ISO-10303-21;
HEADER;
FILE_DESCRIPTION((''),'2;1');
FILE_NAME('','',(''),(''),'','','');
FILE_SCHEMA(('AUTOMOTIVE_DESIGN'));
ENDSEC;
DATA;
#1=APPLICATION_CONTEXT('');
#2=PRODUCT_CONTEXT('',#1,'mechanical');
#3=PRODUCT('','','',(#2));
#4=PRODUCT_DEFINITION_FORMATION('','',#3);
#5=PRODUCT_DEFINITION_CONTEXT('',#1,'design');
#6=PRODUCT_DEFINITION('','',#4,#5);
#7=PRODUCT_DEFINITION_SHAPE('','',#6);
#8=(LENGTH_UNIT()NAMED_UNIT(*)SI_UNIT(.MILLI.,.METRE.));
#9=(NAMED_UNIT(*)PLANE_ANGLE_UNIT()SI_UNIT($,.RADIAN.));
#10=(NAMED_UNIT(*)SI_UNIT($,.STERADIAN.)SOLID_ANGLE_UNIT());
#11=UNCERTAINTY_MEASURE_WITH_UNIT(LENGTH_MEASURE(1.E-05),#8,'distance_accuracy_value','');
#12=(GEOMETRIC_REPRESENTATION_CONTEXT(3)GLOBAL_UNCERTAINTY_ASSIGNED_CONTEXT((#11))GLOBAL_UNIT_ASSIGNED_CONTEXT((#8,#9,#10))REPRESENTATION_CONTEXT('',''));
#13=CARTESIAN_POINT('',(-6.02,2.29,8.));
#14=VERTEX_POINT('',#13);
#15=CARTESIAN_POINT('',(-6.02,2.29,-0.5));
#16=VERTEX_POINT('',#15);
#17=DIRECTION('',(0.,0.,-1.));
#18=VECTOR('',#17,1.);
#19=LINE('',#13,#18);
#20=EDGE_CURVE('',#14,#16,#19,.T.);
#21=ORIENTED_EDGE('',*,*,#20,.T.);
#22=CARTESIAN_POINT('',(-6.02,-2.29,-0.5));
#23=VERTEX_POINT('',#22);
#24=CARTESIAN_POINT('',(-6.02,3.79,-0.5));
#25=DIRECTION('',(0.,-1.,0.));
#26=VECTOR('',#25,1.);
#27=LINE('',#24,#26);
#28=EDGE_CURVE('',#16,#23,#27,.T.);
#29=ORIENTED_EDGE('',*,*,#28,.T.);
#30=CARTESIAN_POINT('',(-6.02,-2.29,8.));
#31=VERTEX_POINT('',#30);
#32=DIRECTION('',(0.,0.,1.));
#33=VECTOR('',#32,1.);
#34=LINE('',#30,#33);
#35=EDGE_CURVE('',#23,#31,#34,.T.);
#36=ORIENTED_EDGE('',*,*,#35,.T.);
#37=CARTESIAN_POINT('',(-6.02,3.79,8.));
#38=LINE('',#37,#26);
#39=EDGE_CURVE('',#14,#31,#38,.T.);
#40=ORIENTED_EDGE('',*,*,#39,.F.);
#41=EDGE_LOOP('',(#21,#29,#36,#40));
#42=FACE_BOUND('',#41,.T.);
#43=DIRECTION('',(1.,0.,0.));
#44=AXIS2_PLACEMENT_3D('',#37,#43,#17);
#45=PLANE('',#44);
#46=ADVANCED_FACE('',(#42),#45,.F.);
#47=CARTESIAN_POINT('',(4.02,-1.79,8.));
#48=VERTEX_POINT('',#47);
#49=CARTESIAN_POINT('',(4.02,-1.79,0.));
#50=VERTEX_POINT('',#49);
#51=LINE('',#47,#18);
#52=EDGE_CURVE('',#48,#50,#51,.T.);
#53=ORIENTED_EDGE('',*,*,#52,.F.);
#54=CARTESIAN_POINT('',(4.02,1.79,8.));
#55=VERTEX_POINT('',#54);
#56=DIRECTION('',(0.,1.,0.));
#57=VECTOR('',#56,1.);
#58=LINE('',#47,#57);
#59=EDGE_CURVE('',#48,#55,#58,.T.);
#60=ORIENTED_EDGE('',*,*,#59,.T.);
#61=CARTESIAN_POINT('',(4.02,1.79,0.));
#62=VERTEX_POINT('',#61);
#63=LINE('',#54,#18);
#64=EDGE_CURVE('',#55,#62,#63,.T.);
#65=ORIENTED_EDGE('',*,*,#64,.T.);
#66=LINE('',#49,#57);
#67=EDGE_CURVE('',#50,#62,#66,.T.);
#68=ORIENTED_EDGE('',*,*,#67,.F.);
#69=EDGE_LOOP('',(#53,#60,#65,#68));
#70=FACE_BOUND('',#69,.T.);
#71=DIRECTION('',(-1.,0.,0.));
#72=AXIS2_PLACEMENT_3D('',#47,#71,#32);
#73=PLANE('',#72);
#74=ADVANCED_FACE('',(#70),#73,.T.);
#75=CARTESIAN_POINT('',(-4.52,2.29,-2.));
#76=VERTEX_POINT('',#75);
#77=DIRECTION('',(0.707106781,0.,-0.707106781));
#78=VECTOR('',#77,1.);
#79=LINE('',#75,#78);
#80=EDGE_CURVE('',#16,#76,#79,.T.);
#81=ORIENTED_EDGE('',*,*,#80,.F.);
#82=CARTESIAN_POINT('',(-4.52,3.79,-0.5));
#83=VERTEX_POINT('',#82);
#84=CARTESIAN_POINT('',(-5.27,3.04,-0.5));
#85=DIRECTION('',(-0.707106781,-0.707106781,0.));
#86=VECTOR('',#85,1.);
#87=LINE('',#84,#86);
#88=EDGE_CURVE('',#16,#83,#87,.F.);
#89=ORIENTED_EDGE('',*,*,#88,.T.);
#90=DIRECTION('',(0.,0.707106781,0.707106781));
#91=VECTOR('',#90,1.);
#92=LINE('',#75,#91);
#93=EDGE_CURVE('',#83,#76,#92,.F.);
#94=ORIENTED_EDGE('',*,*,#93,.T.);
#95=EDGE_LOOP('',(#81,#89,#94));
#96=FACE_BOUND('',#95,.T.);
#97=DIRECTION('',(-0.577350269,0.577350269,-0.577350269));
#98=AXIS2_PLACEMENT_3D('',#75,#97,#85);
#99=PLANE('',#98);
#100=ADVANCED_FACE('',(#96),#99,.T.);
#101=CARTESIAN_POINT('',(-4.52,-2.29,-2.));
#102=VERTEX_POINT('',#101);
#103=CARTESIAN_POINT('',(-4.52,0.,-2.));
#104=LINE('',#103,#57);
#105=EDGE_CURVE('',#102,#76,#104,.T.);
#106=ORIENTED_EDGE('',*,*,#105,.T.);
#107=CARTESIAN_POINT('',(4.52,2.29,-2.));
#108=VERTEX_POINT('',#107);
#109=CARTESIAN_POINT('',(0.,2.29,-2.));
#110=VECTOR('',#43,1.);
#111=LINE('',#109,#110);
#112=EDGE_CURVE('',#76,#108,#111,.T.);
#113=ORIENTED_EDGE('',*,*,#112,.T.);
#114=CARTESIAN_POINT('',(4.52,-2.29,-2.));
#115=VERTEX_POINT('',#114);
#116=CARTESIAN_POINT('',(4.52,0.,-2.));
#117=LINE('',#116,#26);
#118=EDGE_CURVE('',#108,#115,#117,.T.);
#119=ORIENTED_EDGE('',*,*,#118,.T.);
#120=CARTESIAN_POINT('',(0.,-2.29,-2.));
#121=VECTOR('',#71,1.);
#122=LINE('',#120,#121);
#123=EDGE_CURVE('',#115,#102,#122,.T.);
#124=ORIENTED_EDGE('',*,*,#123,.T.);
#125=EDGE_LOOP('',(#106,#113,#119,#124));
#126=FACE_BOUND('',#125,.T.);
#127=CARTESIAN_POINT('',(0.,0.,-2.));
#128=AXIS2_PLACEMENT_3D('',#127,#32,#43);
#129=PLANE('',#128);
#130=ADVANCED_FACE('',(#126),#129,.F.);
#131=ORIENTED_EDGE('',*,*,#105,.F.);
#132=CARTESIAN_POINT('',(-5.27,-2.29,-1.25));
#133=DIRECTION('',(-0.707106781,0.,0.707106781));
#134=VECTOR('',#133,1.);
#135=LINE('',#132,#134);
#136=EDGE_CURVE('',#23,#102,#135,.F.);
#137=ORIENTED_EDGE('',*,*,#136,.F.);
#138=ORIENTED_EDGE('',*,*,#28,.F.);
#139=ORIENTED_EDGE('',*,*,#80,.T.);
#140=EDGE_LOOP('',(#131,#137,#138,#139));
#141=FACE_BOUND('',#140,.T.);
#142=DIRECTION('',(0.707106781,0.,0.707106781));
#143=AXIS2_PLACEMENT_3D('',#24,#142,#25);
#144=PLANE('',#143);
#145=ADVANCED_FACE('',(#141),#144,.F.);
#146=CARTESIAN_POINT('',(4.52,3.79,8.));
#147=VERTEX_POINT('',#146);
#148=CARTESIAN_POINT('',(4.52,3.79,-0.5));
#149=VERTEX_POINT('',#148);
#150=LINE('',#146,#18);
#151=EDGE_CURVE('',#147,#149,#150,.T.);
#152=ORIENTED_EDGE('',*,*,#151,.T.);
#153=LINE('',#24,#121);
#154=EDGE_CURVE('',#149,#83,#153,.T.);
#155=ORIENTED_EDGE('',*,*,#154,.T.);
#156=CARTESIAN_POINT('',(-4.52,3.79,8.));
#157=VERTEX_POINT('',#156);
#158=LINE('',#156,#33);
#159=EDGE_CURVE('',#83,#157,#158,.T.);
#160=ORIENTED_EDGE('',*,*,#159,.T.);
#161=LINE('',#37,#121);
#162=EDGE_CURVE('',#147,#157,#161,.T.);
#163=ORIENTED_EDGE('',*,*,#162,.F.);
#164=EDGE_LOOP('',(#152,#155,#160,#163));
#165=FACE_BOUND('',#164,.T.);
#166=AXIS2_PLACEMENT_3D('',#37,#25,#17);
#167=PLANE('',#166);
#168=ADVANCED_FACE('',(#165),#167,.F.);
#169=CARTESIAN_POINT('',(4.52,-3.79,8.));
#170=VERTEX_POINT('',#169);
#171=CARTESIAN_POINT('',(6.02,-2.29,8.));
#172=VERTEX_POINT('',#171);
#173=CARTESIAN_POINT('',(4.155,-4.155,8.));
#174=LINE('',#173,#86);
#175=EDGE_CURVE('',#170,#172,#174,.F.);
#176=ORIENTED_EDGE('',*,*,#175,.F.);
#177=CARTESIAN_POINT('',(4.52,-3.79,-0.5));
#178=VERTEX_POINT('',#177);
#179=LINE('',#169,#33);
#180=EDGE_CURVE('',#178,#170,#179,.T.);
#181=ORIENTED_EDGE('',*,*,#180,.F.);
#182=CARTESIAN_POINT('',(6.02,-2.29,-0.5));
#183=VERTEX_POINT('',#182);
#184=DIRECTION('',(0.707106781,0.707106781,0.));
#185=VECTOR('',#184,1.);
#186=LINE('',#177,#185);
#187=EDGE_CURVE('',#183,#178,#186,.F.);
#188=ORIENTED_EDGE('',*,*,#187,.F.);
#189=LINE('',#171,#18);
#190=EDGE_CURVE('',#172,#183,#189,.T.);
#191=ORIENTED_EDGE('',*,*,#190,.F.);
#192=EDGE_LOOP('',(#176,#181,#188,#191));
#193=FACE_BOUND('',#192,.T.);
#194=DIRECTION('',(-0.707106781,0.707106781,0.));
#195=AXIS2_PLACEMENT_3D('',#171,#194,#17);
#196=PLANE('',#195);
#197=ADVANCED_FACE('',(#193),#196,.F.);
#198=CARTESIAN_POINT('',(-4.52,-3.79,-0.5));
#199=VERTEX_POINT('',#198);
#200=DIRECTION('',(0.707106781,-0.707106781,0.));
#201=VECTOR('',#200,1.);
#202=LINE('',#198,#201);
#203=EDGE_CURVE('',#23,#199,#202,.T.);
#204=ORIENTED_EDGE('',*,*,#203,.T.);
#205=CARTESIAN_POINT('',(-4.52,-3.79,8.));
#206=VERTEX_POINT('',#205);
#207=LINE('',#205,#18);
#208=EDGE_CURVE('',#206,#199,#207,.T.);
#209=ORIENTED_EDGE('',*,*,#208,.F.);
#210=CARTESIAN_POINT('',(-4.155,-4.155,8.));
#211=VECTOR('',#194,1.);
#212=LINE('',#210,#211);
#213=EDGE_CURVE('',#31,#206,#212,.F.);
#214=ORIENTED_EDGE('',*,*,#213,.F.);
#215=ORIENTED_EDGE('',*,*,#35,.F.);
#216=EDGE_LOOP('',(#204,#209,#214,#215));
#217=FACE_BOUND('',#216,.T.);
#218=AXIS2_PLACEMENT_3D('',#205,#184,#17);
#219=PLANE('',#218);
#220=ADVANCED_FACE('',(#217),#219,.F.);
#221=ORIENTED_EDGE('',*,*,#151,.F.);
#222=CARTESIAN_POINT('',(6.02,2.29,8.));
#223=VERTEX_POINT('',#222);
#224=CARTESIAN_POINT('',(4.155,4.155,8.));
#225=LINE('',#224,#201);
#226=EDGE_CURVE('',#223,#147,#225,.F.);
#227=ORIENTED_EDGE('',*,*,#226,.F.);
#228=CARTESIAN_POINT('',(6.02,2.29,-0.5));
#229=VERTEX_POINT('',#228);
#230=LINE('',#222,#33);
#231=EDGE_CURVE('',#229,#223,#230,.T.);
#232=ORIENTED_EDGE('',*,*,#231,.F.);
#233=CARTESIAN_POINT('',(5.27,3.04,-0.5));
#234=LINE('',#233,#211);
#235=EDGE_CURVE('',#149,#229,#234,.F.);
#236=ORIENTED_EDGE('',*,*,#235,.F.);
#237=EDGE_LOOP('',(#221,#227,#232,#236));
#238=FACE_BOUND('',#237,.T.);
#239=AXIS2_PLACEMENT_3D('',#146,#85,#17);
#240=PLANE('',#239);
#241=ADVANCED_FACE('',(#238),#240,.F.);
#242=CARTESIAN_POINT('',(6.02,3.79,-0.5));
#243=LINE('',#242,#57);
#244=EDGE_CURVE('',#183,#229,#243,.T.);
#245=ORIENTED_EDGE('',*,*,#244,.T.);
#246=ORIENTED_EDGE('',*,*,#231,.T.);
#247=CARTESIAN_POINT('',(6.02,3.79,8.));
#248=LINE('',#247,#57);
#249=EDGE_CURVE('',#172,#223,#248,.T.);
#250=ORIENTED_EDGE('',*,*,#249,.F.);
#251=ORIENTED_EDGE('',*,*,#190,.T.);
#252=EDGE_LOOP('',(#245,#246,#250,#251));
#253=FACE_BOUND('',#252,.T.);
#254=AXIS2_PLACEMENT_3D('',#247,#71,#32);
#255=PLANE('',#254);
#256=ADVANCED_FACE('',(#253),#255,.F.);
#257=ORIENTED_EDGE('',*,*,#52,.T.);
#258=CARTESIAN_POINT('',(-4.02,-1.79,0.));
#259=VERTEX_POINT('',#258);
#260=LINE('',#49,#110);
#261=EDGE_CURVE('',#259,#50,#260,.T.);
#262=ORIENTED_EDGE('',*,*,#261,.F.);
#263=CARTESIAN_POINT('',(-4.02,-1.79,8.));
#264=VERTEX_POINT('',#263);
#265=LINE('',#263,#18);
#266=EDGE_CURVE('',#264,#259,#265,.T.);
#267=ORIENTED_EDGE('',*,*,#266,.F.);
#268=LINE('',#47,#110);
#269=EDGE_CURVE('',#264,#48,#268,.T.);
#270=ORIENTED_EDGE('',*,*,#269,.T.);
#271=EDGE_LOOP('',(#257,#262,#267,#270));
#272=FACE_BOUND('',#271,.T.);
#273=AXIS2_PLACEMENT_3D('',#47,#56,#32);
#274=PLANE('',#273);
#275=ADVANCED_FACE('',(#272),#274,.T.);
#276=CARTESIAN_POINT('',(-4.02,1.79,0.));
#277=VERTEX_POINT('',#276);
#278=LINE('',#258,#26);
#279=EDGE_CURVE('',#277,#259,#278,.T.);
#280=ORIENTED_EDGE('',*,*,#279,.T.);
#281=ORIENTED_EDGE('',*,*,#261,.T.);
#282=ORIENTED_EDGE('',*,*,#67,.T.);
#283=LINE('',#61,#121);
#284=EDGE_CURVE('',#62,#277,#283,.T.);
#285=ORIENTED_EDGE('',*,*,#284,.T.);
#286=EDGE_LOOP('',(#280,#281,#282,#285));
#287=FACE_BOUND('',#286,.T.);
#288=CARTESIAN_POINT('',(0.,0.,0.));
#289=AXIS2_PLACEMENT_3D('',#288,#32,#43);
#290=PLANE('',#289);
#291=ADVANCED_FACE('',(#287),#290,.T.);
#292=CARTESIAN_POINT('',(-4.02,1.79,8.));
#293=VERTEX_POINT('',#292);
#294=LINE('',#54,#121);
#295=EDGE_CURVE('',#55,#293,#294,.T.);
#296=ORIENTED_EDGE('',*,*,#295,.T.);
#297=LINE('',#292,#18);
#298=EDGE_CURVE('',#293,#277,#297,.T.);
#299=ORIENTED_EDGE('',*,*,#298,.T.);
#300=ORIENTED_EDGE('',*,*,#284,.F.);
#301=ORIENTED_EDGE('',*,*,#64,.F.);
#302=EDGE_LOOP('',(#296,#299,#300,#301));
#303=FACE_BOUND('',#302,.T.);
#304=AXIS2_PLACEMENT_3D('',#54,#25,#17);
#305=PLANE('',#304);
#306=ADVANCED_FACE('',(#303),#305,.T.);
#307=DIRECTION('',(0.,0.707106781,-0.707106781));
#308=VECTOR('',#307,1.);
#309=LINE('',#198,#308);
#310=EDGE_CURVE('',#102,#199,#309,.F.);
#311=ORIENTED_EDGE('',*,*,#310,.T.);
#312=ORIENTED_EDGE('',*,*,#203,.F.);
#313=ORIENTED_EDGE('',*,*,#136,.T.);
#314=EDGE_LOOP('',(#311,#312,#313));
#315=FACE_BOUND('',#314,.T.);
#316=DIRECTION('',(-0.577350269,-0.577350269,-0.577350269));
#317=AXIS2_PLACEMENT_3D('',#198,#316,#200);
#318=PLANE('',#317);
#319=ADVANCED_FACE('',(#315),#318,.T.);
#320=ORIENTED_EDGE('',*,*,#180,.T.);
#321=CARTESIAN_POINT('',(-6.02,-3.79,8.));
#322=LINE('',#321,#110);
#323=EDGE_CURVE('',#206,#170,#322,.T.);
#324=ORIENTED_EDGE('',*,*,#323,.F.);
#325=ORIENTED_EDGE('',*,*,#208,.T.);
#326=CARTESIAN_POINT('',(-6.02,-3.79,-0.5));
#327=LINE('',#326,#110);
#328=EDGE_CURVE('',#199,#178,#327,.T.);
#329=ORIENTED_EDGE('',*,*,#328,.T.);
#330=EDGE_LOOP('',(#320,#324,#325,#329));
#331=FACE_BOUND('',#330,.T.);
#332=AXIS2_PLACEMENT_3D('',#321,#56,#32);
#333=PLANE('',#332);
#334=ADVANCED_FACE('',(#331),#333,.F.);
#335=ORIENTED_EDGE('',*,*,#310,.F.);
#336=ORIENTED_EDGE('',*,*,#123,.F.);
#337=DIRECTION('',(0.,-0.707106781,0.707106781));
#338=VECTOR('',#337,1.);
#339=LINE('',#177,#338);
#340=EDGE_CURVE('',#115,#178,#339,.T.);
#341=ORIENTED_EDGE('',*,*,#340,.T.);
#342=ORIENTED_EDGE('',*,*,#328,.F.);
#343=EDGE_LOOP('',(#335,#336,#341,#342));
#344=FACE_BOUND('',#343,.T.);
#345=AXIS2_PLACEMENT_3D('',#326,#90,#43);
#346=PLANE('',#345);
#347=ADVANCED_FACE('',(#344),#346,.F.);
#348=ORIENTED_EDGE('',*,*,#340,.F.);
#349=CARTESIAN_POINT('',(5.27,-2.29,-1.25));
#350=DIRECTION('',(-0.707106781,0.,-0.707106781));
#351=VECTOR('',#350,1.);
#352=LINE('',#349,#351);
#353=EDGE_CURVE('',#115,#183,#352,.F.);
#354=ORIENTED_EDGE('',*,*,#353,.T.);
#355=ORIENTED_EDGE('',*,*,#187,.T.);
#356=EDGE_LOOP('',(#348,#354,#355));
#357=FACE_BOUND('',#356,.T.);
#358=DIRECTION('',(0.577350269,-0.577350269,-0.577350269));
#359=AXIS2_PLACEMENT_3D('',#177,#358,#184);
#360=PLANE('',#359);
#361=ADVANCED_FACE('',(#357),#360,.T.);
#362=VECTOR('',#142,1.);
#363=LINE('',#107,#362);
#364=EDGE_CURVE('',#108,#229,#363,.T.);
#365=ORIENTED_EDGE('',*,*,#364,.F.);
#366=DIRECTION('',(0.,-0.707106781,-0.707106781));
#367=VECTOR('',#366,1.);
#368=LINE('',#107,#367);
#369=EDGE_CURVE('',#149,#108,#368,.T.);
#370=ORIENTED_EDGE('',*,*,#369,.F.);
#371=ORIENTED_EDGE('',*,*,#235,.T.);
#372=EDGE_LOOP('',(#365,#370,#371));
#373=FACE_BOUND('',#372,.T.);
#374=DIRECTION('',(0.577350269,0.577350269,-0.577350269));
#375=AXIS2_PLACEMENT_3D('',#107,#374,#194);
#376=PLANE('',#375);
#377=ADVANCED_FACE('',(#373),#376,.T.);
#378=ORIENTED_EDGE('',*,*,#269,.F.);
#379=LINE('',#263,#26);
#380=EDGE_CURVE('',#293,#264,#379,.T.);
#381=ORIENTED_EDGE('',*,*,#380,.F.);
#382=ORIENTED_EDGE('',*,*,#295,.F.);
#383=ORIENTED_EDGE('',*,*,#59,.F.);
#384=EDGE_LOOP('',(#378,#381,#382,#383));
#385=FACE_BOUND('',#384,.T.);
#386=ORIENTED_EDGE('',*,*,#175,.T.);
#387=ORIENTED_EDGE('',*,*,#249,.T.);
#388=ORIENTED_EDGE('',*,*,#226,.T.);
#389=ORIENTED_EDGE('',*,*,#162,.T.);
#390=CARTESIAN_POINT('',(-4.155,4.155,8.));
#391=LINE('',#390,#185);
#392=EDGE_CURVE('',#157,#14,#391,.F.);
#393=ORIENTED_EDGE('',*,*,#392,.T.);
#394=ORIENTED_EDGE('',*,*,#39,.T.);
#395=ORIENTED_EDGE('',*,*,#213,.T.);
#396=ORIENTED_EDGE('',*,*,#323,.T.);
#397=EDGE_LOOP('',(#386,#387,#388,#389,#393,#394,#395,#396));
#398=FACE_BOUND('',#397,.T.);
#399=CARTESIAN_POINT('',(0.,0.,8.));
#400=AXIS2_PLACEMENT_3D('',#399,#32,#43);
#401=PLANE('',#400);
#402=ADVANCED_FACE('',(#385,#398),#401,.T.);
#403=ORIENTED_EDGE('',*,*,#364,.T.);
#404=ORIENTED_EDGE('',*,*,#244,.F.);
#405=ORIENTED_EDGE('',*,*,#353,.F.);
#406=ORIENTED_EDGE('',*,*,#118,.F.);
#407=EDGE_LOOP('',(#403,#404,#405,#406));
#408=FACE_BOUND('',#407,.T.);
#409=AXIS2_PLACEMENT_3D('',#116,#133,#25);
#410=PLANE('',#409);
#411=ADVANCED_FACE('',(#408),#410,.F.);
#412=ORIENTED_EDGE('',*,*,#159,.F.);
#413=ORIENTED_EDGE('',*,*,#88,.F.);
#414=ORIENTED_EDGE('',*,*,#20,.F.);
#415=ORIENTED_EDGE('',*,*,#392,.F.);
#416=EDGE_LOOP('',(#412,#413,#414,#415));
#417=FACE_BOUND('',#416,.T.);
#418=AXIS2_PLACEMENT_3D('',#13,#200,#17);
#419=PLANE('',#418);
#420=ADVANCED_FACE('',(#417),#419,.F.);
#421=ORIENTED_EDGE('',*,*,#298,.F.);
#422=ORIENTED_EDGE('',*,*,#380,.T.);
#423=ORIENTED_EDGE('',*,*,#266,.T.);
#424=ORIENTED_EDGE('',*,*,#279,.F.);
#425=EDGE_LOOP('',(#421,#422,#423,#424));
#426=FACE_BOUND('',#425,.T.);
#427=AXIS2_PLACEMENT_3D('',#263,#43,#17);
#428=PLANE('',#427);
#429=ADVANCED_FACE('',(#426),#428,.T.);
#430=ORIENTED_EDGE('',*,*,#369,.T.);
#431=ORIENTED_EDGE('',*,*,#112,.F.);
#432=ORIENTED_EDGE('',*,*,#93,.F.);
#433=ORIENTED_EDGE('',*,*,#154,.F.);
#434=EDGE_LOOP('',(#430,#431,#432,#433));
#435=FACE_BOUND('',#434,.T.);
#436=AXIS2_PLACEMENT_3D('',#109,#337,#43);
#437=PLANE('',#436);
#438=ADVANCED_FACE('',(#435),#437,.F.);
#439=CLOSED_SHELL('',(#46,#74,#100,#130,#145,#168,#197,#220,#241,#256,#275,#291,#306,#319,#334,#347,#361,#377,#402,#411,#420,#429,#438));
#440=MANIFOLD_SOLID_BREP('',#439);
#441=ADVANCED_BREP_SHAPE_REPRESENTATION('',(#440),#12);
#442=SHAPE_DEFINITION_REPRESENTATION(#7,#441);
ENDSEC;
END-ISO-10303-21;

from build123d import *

# Parameters (mm, degrees)
SKETCH1_W           = 12.04
SKETCH1_H           = 7.58
SKETCH1_W_2         = 8.04
SKETCH1_H_2         = 3.58
BOSS_EXTRUDE1_DEPTH = 8
SKETCH1_2_W         = 12.04
SKETCH1_2_H         = 7.58
SKETCH1_2_W_2       = 8.04
SKETCH1_2_H_2       = 3.58
BOSS_EXTRUDE2_DEPTH = 2
CHAMFER1_SIZE       = 1.5


with BuildPart() as part:
    # Sketch1 → Boss-Extrude1 (new body)
    with BuildSketch(Plane.XY):
        Rectangle(SKETCH1_W, SKETCH1_H)
        Rectangle(SKETCH1_W_2, SKETCH1_H_2, mode=Mode.SUBTRACT)
    extrude(amount=BOSS_EXTRUDE1_DEPTH)

    # Sketch1<2> → Boss-Extrude2 (add)
    # profile 1 of 2: a face of its own
    with BuildSketch(Plane.XY):
        Rectangle(SKETCH1_2_W, SKETCH1_2_H)
        Rectangle(SKETCH1_2_W_2, SKETCH1_2_H_2, mode=Mode.SUBTRACT)
    # profile 2 of 2: a face of its own
    with BuildSketch(Plane.XY):
        Rectangle(SKETCH1_2_W_2, SKETCH1_2_H_2)
    extrude(amount=-BOSS_EXTRUDE2_DEPTH)

    # Chamfer1
    chamfer1_edges = [part.edges().sort_by_distance(p)[0] for p in [
        (0, -3.79, -2),
        (-6.02, 0, -2),
        (6.02, 0, -2),
        (0, 3.79, -2),
        (6.02, -3.79, 3),
        (-6.02, -3.79, 3),
        (-6.02, 3.79, 3),
        (6.02, 3.79, 3),
    ]]
    chamfer(chamfer1_edges, length=CHAMFER1_SIZE)


solid = part.part
